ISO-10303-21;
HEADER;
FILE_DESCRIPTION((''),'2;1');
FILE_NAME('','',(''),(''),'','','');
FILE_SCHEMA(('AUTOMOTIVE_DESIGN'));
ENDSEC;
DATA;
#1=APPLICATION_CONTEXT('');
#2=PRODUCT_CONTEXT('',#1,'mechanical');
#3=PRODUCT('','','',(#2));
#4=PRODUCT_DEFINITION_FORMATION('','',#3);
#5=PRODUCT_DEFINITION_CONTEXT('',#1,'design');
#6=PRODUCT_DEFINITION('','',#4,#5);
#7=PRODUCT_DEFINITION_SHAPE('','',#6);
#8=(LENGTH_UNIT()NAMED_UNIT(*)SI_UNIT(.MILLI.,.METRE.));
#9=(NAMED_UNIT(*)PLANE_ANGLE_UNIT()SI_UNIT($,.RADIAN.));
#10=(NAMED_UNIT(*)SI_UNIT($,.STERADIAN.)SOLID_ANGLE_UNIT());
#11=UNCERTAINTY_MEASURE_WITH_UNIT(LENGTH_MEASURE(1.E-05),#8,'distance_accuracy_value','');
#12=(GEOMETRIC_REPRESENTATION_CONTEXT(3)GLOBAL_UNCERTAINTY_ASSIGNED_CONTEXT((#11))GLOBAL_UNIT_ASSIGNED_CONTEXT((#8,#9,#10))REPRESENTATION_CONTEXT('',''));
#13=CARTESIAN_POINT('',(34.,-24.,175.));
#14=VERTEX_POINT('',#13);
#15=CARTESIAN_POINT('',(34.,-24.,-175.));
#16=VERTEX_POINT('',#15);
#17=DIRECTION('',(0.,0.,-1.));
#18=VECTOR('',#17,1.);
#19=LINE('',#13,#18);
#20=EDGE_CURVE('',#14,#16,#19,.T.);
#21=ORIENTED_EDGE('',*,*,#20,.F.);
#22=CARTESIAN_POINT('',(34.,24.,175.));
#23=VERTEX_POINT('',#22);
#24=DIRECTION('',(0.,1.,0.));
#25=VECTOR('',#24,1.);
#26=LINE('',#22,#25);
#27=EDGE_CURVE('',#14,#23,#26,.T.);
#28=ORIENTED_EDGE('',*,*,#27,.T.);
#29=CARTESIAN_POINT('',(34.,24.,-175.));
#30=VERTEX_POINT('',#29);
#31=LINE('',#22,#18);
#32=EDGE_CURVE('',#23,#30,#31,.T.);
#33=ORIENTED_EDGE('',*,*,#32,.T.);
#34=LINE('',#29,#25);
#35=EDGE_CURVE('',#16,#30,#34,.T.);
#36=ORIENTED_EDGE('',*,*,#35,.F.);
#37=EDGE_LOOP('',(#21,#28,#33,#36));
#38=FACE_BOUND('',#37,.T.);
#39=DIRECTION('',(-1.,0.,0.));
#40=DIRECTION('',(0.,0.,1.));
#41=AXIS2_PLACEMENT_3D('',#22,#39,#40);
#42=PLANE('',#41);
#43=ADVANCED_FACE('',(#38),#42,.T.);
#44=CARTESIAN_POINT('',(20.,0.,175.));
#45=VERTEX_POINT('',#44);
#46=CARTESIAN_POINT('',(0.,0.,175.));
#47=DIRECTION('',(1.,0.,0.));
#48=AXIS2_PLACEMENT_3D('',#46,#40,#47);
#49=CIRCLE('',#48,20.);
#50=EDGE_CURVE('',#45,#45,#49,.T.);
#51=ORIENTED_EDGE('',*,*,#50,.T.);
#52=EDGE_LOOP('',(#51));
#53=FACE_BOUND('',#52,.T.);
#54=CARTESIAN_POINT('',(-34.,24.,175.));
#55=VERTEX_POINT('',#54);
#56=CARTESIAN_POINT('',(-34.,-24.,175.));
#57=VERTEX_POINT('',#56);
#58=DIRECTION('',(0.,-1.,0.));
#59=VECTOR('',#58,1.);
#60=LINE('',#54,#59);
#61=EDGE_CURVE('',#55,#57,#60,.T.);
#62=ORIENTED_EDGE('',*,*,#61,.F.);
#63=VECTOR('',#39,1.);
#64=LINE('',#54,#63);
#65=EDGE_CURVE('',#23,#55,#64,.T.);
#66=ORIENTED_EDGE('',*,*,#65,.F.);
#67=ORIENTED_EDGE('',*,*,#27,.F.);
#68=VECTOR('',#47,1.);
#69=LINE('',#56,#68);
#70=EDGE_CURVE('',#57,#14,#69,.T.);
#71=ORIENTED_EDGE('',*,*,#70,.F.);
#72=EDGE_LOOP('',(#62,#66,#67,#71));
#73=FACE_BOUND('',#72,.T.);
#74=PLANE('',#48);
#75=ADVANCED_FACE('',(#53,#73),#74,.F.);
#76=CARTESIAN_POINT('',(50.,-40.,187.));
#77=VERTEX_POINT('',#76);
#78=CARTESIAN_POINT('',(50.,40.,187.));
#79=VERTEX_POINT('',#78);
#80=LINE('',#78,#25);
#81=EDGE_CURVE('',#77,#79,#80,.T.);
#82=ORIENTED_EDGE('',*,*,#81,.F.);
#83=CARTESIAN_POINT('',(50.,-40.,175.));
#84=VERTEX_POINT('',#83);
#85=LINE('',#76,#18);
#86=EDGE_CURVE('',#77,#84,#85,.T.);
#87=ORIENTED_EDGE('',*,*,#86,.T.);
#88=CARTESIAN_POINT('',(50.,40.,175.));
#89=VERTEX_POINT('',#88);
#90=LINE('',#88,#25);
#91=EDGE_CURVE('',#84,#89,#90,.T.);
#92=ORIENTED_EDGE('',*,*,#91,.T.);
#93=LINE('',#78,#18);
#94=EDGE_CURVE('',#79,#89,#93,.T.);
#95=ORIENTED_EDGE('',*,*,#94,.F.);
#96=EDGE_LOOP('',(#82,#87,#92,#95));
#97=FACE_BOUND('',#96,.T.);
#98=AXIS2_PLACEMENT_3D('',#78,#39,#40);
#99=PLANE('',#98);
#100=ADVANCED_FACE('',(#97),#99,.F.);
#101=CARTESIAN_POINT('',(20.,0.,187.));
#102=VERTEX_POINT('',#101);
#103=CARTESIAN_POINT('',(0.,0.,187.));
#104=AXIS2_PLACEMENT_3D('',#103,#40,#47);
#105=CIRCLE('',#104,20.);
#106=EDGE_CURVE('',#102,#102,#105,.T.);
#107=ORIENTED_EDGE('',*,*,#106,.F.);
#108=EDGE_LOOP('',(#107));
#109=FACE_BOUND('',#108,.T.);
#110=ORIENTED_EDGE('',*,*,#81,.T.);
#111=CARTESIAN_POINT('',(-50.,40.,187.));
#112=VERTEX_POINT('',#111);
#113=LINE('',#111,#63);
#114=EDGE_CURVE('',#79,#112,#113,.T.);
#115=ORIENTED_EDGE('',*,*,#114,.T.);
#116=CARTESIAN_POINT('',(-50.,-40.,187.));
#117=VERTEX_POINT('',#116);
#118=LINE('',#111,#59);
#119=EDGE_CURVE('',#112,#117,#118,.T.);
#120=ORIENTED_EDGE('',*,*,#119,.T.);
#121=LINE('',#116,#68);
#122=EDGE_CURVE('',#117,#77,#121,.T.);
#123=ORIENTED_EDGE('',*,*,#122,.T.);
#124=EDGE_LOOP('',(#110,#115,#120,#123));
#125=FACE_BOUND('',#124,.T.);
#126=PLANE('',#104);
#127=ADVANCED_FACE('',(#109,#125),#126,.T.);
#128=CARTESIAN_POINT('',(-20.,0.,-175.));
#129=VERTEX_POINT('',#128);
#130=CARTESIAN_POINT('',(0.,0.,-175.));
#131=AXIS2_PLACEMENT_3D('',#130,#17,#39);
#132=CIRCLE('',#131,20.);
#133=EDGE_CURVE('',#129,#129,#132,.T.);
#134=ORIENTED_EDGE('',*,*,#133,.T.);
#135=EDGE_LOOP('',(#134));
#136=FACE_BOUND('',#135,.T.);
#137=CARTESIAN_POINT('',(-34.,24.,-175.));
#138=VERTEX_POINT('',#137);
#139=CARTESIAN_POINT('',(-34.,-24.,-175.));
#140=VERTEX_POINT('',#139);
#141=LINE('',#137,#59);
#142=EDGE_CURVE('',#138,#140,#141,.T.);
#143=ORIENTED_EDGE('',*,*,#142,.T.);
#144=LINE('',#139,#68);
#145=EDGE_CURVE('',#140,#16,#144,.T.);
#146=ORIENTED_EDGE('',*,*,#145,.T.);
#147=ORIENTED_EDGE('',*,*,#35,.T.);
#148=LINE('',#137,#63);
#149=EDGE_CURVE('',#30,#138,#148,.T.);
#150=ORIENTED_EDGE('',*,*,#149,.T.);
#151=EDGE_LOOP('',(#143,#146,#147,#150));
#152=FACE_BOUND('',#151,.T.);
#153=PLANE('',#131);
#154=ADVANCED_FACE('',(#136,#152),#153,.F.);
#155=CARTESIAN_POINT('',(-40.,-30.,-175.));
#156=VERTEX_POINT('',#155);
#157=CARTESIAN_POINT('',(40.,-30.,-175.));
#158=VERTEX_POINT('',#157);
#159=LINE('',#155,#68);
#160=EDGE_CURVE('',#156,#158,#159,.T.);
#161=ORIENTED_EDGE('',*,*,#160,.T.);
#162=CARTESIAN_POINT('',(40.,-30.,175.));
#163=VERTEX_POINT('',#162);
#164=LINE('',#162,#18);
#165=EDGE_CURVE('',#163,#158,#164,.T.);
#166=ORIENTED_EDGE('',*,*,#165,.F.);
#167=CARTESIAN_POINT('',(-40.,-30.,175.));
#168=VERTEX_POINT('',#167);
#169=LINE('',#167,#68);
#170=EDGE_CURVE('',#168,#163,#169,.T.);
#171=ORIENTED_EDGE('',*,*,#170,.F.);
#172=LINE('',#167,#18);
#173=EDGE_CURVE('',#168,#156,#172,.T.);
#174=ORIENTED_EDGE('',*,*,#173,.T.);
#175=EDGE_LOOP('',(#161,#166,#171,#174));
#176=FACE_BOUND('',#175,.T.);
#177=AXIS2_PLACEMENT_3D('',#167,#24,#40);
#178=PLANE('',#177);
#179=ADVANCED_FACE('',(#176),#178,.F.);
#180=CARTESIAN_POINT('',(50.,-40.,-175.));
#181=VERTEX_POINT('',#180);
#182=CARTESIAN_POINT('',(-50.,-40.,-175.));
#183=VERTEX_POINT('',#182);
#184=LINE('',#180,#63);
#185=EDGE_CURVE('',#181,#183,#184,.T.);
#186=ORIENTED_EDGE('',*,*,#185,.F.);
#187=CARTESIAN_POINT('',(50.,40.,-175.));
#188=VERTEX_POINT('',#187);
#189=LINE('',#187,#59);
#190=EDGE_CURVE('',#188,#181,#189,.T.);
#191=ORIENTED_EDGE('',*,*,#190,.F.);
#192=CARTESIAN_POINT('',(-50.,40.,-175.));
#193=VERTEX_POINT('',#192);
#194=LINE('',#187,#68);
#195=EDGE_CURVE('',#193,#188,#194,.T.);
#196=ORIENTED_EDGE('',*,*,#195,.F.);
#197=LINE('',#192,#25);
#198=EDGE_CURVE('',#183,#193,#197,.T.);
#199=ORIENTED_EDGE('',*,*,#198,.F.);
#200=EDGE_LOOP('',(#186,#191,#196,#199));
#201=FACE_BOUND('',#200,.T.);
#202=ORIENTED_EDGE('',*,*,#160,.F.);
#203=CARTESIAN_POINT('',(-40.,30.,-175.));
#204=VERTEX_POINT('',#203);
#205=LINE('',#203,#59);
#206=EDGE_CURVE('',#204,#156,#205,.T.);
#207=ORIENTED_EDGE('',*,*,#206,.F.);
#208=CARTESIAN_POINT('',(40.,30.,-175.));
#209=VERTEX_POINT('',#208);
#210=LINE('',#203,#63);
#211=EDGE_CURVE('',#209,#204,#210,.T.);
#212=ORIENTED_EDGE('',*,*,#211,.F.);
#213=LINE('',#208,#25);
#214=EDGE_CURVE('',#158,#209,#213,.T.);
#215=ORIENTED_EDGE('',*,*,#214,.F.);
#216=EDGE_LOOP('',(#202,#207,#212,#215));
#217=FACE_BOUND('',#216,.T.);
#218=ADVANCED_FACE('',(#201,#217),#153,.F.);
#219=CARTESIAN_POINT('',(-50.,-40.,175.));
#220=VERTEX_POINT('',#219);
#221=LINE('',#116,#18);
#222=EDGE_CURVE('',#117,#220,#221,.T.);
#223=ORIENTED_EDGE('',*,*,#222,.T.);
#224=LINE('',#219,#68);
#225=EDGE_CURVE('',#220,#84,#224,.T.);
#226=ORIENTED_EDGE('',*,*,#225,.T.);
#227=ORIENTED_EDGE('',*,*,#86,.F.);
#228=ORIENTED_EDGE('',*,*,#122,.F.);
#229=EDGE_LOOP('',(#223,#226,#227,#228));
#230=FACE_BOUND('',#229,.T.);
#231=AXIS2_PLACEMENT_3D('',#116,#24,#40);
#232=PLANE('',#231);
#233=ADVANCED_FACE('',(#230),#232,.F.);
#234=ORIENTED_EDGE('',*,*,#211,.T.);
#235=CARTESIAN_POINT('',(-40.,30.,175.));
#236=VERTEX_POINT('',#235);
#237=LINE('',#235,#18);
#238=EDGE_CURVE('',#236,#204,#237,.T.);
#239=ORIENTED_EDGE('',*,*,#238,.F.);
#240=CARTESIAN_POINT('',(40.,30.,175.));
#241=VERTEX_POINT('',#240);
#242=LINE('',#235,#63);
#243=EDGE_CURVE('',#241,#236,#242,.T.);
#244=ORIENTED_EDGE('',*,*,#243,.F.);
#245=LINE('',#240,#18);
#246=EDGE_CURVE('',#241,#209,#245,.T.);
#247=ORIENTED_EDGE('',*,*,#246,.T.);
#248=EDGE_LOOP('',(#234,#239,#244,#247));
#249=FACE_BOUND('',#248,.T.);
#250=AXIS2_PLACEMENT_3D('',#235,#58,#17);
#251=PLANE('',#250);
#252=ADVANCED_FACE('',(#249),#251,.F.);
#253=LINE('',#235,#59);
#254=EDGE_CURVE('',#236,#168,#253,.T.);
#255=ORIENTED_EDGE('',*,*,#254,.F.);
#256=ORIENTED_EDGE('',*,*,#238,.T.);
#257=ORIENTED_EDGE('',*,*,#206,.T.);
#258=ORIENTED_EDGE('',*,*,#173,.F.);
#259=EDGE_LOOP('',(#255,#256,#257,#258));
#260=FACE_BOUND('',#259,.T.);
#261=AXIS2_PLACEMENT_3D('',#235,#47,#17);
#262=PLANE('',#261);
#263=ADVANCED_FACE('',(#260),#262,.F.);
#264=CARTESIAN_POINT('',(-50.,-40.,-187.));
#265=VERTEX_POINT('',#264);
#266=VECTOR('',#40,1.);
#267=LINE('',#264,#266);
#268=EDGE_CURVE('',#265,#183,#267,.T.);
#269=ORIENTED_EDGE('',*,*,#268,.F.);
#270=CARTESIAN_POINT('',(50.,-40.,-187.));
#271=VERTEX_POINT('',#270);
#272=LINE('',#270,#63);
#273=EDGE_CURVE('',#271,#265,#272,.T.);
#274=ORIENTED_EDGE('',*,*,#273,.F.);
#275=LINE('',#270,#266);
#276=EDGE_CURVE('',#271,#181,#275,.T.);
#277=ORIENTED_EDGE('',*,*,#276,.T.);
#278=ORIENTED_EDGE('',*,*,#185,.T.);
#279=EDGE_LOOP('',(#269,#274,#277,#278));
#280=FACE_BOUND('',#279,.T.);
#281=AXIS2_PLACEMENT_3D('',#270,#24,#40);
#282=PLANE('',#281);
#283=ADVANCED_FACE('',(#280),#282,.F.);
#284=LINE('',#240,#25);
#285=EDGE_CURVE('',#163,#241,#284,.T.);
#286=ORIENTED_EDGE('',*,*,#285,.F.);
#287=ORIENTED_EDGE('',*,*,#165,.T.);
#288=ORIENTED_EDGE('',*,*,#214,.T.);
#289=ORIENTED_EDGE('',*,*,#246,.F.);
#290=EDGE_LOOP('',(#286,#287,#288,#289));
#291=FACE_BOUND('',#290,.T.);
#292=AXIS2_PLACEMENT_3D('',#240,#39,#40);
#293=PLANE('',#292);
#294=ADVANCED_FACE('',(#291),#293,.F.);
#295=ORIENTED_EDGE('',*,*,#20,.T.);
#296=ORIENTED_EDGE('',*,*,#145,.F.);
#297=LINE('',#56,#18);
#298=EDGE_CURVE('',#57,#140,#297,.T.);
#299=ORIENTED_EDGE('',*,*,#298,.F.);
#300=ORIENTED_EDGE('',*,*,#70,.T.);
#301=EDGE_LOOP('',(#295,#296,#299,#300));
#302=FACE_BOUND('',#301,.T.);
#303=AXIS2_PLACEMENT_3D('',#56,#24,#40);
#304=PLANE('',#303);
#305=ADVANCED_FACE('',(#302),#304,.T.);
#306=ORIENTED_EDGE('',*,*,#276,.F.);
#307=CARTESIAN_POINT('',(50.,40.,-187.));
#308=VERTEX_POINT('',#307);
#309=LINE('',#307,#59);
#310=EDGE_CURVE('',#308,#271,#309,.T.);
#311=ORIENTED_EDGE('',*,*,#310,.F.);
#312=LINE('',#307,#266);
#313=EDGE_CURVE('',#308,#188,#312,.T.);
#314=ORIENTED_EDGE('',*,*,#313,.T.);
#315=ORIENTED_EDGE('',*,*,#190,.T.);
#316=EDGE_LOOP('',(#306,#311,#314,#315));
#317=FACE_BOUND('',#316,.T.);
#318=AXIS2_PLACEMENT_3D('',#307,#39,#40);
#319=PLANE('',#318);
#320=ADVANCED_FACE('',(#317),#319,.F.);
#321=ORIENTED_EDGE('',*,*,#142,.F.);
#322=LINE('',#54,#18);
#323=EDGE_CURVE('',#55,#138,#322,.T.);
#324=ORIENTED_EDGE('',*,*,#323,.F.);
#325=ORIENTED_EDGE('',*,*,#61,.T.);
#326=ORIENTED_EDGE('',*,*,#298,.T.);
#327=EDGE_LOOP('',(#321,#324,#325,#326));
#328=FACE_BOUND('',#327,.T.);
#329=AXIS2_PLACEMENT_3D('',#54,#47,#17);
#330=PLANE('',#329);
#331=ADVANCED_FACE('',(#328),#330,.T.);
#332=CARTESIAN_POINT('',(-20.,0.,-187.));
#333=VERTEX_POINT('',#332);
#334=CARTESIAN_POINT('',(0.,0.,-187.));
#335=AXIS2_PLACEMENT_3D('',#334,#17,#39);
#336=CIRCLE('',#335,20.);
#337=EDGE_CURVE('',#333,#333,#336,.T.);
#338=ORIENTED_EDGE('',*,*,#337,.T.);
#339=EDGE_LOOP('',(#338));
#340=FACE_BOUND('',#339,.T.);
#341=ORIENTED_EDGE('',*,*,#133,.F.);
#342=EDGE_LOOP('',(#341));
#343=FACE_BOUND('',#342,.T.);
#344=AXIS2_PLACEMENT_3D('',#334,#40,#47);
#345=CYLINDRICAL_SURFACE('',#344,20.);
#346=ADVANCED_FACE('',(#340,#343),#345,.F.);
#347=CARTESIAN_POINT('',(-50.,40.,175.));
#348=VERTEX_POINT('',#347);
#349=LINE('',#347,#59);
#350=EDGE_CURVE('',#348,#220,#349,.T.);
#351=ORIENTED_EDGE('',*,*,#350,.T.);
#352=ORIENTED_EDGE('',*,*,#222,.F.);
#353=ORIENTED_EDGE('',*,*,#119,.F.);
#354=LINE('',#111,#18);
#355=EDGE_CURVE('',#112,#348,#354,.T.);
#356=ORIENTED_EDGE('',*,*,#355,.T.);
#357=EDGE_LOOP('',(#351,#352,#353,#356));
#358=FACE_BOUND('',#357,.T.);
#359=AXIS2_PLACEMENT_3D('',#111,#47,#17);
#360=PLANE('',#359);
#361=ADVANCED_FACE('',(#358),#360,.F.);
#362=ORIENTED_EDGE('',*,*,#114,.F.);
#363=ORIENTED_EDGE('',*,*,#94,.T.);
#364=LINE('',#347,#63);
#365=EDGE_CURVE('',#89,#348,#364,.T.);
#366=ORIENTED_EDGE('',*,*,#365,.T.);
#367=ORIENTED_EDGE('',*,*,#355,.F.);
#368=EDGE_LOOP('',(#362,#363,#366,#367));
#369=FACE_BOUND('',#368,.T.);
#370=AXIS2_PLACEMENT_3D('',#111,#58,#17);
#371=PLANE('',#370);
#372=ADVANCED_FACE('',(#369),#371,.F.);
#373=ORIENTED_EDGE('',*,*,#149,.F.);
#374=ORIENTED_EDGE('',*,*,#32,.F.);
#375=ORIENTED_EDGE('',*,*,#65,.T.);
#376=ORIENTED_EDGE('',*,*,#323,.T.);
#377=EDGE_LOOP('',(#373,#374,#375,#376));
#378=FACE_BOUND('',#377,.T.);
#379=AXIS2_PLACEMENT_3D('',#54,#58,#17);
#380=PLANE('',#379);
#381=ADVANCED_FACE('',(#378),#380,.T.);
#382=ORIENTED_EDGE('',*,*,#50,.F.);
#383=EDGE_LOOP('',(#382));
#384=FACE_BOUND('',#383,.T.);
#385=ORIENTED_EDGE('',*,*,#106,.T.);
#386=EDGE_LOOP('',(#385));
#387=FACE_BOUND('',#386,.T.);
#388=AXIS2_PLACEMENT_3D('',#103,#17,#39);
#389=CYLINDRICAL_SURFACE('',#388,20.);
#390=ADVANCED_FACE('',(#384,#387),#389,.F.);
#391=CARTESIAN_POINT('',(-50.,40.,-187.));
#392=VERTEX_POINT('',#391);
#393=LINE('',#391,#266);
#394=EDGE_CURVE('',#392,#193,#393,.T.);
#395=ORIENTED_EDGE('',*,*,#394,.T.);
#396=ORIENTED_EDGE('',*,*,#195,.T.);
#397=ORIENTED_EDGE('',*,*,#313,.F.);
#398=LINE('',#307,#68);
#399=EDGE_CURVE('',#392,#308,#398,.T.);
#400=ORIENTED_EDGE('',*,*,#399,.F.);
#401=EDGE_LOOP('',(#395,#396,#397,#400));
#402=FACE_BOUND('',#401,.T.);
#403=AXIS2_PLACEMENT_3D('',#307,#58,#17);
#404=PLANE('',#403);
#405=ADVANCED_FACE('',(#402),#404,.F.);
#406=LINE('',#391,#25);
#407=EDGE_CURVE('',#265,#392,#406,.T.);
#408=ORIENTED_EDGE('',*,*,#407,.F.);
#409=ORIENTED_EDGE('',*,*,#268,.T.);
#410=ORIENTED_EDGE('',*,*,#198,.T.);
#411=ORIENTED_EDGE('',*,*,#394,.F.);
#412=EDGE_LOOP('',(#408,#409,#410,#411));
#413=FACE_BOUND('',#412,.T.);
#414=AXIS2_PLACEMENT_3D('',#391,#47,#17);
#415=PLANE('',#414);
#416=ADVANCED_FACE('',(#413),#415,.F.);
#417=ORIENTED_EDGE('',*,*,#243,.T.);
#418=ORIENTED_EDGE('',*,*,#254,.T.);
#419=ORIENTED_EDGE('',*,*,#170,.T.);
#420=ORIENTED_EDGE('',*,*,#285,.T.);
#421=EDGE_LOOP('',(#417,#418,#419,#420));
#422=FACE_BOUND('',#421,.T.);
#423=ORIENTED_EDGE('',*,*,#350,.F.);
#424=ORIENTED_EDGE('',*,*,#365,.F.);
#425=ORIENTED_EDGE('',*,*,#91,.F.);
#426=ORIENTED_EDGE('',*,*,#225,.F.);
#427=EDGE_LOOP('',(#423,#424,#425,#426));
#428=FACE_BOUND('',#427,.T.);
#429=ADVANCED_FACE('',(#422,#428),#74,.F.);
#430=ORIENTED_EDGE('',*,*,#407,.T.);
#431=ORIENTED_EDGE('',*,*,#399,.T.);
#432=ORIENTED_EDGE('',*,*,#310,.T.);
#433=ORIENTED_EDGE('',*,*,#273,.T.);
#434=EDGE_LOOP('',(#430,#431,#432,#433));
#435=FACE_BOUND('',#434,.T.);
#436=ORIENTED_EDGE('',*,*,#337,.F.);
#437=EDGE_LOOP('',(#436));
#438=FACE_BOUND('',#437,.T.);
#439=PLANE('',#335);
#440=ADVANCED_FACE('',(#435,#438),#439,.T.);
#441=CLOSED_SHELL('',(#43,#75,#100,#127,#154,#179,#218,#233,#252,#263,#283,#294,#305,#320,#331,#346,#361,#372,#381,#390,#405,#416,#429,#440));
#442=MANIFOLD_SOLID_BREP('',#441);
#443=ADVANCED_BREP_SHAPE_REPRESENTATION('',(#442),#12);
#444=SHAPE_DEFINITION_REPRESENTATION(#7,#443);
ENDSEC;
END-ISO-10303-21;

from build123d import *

# Parameters (mm, degrees)
SKETCH_8_W      = 80
SKETCH_8_H      = 60
SKETCH_8_W_2    = 68
SKETCH_8_H_2    = 48
EXTRUDE_1_DEPTH = 175
SKETCH_9_W      = 100
SKETCH_9_H      = 80
SKETCH_9_R      = 20
EXTRUDE_2_DEPTH = 12
EXTRUDE_START   = 12
SKETCH_10_W     = 100
SKETCH_10_H     = 80
SKETCH_10_R     = 20
EXTRUDE_3_DEPTH = 12


with BuildPart() as part:
    # 草图8 → 凸台-拉伸1 (new, symmetric)
    with BuildSketch(Plane.XY):
        Rectangle(SKETCH_8_W, SKETCH_8_H)
        Rectangle(SKETCH_8_W_2, SKETCH_8_H_2, mode=Mode.SUBTRACT)
    extrude(amount=EXTRUDE_1_DEPTH, both=True)

    # 草图9 → 凸台-拉伸2 (add)
    with BuildSketch(Plane.XY.offset(175)):
        Rectangle(SKETCH_9_W, SKETCH_9_H)
        Circle(SKETCH_9_R, mode=Mode.SUBTRACT)
    extrude(amount=EXTRUDE_2_DEPTH)

    # 草图10 → 凸台-拉伸3 (add)
    with BuildSketch(Plane(origin=(0, 0, -175), x_dir=(-1, 0, 0), z_dir=(0, 0, -1)).offset(EXTRUDE_START)):
        Rectangle(SKETCH_10_W, SKETCH_10_H)
        with Locations(Location((0, 0, 0), (0, 0, 180))):
            Circle(SKETCH_10_R, mode=Mode.SUBTRACT)
    extrude(amount=-EXTRUDE_3_DEPTH)


solid = part.part
